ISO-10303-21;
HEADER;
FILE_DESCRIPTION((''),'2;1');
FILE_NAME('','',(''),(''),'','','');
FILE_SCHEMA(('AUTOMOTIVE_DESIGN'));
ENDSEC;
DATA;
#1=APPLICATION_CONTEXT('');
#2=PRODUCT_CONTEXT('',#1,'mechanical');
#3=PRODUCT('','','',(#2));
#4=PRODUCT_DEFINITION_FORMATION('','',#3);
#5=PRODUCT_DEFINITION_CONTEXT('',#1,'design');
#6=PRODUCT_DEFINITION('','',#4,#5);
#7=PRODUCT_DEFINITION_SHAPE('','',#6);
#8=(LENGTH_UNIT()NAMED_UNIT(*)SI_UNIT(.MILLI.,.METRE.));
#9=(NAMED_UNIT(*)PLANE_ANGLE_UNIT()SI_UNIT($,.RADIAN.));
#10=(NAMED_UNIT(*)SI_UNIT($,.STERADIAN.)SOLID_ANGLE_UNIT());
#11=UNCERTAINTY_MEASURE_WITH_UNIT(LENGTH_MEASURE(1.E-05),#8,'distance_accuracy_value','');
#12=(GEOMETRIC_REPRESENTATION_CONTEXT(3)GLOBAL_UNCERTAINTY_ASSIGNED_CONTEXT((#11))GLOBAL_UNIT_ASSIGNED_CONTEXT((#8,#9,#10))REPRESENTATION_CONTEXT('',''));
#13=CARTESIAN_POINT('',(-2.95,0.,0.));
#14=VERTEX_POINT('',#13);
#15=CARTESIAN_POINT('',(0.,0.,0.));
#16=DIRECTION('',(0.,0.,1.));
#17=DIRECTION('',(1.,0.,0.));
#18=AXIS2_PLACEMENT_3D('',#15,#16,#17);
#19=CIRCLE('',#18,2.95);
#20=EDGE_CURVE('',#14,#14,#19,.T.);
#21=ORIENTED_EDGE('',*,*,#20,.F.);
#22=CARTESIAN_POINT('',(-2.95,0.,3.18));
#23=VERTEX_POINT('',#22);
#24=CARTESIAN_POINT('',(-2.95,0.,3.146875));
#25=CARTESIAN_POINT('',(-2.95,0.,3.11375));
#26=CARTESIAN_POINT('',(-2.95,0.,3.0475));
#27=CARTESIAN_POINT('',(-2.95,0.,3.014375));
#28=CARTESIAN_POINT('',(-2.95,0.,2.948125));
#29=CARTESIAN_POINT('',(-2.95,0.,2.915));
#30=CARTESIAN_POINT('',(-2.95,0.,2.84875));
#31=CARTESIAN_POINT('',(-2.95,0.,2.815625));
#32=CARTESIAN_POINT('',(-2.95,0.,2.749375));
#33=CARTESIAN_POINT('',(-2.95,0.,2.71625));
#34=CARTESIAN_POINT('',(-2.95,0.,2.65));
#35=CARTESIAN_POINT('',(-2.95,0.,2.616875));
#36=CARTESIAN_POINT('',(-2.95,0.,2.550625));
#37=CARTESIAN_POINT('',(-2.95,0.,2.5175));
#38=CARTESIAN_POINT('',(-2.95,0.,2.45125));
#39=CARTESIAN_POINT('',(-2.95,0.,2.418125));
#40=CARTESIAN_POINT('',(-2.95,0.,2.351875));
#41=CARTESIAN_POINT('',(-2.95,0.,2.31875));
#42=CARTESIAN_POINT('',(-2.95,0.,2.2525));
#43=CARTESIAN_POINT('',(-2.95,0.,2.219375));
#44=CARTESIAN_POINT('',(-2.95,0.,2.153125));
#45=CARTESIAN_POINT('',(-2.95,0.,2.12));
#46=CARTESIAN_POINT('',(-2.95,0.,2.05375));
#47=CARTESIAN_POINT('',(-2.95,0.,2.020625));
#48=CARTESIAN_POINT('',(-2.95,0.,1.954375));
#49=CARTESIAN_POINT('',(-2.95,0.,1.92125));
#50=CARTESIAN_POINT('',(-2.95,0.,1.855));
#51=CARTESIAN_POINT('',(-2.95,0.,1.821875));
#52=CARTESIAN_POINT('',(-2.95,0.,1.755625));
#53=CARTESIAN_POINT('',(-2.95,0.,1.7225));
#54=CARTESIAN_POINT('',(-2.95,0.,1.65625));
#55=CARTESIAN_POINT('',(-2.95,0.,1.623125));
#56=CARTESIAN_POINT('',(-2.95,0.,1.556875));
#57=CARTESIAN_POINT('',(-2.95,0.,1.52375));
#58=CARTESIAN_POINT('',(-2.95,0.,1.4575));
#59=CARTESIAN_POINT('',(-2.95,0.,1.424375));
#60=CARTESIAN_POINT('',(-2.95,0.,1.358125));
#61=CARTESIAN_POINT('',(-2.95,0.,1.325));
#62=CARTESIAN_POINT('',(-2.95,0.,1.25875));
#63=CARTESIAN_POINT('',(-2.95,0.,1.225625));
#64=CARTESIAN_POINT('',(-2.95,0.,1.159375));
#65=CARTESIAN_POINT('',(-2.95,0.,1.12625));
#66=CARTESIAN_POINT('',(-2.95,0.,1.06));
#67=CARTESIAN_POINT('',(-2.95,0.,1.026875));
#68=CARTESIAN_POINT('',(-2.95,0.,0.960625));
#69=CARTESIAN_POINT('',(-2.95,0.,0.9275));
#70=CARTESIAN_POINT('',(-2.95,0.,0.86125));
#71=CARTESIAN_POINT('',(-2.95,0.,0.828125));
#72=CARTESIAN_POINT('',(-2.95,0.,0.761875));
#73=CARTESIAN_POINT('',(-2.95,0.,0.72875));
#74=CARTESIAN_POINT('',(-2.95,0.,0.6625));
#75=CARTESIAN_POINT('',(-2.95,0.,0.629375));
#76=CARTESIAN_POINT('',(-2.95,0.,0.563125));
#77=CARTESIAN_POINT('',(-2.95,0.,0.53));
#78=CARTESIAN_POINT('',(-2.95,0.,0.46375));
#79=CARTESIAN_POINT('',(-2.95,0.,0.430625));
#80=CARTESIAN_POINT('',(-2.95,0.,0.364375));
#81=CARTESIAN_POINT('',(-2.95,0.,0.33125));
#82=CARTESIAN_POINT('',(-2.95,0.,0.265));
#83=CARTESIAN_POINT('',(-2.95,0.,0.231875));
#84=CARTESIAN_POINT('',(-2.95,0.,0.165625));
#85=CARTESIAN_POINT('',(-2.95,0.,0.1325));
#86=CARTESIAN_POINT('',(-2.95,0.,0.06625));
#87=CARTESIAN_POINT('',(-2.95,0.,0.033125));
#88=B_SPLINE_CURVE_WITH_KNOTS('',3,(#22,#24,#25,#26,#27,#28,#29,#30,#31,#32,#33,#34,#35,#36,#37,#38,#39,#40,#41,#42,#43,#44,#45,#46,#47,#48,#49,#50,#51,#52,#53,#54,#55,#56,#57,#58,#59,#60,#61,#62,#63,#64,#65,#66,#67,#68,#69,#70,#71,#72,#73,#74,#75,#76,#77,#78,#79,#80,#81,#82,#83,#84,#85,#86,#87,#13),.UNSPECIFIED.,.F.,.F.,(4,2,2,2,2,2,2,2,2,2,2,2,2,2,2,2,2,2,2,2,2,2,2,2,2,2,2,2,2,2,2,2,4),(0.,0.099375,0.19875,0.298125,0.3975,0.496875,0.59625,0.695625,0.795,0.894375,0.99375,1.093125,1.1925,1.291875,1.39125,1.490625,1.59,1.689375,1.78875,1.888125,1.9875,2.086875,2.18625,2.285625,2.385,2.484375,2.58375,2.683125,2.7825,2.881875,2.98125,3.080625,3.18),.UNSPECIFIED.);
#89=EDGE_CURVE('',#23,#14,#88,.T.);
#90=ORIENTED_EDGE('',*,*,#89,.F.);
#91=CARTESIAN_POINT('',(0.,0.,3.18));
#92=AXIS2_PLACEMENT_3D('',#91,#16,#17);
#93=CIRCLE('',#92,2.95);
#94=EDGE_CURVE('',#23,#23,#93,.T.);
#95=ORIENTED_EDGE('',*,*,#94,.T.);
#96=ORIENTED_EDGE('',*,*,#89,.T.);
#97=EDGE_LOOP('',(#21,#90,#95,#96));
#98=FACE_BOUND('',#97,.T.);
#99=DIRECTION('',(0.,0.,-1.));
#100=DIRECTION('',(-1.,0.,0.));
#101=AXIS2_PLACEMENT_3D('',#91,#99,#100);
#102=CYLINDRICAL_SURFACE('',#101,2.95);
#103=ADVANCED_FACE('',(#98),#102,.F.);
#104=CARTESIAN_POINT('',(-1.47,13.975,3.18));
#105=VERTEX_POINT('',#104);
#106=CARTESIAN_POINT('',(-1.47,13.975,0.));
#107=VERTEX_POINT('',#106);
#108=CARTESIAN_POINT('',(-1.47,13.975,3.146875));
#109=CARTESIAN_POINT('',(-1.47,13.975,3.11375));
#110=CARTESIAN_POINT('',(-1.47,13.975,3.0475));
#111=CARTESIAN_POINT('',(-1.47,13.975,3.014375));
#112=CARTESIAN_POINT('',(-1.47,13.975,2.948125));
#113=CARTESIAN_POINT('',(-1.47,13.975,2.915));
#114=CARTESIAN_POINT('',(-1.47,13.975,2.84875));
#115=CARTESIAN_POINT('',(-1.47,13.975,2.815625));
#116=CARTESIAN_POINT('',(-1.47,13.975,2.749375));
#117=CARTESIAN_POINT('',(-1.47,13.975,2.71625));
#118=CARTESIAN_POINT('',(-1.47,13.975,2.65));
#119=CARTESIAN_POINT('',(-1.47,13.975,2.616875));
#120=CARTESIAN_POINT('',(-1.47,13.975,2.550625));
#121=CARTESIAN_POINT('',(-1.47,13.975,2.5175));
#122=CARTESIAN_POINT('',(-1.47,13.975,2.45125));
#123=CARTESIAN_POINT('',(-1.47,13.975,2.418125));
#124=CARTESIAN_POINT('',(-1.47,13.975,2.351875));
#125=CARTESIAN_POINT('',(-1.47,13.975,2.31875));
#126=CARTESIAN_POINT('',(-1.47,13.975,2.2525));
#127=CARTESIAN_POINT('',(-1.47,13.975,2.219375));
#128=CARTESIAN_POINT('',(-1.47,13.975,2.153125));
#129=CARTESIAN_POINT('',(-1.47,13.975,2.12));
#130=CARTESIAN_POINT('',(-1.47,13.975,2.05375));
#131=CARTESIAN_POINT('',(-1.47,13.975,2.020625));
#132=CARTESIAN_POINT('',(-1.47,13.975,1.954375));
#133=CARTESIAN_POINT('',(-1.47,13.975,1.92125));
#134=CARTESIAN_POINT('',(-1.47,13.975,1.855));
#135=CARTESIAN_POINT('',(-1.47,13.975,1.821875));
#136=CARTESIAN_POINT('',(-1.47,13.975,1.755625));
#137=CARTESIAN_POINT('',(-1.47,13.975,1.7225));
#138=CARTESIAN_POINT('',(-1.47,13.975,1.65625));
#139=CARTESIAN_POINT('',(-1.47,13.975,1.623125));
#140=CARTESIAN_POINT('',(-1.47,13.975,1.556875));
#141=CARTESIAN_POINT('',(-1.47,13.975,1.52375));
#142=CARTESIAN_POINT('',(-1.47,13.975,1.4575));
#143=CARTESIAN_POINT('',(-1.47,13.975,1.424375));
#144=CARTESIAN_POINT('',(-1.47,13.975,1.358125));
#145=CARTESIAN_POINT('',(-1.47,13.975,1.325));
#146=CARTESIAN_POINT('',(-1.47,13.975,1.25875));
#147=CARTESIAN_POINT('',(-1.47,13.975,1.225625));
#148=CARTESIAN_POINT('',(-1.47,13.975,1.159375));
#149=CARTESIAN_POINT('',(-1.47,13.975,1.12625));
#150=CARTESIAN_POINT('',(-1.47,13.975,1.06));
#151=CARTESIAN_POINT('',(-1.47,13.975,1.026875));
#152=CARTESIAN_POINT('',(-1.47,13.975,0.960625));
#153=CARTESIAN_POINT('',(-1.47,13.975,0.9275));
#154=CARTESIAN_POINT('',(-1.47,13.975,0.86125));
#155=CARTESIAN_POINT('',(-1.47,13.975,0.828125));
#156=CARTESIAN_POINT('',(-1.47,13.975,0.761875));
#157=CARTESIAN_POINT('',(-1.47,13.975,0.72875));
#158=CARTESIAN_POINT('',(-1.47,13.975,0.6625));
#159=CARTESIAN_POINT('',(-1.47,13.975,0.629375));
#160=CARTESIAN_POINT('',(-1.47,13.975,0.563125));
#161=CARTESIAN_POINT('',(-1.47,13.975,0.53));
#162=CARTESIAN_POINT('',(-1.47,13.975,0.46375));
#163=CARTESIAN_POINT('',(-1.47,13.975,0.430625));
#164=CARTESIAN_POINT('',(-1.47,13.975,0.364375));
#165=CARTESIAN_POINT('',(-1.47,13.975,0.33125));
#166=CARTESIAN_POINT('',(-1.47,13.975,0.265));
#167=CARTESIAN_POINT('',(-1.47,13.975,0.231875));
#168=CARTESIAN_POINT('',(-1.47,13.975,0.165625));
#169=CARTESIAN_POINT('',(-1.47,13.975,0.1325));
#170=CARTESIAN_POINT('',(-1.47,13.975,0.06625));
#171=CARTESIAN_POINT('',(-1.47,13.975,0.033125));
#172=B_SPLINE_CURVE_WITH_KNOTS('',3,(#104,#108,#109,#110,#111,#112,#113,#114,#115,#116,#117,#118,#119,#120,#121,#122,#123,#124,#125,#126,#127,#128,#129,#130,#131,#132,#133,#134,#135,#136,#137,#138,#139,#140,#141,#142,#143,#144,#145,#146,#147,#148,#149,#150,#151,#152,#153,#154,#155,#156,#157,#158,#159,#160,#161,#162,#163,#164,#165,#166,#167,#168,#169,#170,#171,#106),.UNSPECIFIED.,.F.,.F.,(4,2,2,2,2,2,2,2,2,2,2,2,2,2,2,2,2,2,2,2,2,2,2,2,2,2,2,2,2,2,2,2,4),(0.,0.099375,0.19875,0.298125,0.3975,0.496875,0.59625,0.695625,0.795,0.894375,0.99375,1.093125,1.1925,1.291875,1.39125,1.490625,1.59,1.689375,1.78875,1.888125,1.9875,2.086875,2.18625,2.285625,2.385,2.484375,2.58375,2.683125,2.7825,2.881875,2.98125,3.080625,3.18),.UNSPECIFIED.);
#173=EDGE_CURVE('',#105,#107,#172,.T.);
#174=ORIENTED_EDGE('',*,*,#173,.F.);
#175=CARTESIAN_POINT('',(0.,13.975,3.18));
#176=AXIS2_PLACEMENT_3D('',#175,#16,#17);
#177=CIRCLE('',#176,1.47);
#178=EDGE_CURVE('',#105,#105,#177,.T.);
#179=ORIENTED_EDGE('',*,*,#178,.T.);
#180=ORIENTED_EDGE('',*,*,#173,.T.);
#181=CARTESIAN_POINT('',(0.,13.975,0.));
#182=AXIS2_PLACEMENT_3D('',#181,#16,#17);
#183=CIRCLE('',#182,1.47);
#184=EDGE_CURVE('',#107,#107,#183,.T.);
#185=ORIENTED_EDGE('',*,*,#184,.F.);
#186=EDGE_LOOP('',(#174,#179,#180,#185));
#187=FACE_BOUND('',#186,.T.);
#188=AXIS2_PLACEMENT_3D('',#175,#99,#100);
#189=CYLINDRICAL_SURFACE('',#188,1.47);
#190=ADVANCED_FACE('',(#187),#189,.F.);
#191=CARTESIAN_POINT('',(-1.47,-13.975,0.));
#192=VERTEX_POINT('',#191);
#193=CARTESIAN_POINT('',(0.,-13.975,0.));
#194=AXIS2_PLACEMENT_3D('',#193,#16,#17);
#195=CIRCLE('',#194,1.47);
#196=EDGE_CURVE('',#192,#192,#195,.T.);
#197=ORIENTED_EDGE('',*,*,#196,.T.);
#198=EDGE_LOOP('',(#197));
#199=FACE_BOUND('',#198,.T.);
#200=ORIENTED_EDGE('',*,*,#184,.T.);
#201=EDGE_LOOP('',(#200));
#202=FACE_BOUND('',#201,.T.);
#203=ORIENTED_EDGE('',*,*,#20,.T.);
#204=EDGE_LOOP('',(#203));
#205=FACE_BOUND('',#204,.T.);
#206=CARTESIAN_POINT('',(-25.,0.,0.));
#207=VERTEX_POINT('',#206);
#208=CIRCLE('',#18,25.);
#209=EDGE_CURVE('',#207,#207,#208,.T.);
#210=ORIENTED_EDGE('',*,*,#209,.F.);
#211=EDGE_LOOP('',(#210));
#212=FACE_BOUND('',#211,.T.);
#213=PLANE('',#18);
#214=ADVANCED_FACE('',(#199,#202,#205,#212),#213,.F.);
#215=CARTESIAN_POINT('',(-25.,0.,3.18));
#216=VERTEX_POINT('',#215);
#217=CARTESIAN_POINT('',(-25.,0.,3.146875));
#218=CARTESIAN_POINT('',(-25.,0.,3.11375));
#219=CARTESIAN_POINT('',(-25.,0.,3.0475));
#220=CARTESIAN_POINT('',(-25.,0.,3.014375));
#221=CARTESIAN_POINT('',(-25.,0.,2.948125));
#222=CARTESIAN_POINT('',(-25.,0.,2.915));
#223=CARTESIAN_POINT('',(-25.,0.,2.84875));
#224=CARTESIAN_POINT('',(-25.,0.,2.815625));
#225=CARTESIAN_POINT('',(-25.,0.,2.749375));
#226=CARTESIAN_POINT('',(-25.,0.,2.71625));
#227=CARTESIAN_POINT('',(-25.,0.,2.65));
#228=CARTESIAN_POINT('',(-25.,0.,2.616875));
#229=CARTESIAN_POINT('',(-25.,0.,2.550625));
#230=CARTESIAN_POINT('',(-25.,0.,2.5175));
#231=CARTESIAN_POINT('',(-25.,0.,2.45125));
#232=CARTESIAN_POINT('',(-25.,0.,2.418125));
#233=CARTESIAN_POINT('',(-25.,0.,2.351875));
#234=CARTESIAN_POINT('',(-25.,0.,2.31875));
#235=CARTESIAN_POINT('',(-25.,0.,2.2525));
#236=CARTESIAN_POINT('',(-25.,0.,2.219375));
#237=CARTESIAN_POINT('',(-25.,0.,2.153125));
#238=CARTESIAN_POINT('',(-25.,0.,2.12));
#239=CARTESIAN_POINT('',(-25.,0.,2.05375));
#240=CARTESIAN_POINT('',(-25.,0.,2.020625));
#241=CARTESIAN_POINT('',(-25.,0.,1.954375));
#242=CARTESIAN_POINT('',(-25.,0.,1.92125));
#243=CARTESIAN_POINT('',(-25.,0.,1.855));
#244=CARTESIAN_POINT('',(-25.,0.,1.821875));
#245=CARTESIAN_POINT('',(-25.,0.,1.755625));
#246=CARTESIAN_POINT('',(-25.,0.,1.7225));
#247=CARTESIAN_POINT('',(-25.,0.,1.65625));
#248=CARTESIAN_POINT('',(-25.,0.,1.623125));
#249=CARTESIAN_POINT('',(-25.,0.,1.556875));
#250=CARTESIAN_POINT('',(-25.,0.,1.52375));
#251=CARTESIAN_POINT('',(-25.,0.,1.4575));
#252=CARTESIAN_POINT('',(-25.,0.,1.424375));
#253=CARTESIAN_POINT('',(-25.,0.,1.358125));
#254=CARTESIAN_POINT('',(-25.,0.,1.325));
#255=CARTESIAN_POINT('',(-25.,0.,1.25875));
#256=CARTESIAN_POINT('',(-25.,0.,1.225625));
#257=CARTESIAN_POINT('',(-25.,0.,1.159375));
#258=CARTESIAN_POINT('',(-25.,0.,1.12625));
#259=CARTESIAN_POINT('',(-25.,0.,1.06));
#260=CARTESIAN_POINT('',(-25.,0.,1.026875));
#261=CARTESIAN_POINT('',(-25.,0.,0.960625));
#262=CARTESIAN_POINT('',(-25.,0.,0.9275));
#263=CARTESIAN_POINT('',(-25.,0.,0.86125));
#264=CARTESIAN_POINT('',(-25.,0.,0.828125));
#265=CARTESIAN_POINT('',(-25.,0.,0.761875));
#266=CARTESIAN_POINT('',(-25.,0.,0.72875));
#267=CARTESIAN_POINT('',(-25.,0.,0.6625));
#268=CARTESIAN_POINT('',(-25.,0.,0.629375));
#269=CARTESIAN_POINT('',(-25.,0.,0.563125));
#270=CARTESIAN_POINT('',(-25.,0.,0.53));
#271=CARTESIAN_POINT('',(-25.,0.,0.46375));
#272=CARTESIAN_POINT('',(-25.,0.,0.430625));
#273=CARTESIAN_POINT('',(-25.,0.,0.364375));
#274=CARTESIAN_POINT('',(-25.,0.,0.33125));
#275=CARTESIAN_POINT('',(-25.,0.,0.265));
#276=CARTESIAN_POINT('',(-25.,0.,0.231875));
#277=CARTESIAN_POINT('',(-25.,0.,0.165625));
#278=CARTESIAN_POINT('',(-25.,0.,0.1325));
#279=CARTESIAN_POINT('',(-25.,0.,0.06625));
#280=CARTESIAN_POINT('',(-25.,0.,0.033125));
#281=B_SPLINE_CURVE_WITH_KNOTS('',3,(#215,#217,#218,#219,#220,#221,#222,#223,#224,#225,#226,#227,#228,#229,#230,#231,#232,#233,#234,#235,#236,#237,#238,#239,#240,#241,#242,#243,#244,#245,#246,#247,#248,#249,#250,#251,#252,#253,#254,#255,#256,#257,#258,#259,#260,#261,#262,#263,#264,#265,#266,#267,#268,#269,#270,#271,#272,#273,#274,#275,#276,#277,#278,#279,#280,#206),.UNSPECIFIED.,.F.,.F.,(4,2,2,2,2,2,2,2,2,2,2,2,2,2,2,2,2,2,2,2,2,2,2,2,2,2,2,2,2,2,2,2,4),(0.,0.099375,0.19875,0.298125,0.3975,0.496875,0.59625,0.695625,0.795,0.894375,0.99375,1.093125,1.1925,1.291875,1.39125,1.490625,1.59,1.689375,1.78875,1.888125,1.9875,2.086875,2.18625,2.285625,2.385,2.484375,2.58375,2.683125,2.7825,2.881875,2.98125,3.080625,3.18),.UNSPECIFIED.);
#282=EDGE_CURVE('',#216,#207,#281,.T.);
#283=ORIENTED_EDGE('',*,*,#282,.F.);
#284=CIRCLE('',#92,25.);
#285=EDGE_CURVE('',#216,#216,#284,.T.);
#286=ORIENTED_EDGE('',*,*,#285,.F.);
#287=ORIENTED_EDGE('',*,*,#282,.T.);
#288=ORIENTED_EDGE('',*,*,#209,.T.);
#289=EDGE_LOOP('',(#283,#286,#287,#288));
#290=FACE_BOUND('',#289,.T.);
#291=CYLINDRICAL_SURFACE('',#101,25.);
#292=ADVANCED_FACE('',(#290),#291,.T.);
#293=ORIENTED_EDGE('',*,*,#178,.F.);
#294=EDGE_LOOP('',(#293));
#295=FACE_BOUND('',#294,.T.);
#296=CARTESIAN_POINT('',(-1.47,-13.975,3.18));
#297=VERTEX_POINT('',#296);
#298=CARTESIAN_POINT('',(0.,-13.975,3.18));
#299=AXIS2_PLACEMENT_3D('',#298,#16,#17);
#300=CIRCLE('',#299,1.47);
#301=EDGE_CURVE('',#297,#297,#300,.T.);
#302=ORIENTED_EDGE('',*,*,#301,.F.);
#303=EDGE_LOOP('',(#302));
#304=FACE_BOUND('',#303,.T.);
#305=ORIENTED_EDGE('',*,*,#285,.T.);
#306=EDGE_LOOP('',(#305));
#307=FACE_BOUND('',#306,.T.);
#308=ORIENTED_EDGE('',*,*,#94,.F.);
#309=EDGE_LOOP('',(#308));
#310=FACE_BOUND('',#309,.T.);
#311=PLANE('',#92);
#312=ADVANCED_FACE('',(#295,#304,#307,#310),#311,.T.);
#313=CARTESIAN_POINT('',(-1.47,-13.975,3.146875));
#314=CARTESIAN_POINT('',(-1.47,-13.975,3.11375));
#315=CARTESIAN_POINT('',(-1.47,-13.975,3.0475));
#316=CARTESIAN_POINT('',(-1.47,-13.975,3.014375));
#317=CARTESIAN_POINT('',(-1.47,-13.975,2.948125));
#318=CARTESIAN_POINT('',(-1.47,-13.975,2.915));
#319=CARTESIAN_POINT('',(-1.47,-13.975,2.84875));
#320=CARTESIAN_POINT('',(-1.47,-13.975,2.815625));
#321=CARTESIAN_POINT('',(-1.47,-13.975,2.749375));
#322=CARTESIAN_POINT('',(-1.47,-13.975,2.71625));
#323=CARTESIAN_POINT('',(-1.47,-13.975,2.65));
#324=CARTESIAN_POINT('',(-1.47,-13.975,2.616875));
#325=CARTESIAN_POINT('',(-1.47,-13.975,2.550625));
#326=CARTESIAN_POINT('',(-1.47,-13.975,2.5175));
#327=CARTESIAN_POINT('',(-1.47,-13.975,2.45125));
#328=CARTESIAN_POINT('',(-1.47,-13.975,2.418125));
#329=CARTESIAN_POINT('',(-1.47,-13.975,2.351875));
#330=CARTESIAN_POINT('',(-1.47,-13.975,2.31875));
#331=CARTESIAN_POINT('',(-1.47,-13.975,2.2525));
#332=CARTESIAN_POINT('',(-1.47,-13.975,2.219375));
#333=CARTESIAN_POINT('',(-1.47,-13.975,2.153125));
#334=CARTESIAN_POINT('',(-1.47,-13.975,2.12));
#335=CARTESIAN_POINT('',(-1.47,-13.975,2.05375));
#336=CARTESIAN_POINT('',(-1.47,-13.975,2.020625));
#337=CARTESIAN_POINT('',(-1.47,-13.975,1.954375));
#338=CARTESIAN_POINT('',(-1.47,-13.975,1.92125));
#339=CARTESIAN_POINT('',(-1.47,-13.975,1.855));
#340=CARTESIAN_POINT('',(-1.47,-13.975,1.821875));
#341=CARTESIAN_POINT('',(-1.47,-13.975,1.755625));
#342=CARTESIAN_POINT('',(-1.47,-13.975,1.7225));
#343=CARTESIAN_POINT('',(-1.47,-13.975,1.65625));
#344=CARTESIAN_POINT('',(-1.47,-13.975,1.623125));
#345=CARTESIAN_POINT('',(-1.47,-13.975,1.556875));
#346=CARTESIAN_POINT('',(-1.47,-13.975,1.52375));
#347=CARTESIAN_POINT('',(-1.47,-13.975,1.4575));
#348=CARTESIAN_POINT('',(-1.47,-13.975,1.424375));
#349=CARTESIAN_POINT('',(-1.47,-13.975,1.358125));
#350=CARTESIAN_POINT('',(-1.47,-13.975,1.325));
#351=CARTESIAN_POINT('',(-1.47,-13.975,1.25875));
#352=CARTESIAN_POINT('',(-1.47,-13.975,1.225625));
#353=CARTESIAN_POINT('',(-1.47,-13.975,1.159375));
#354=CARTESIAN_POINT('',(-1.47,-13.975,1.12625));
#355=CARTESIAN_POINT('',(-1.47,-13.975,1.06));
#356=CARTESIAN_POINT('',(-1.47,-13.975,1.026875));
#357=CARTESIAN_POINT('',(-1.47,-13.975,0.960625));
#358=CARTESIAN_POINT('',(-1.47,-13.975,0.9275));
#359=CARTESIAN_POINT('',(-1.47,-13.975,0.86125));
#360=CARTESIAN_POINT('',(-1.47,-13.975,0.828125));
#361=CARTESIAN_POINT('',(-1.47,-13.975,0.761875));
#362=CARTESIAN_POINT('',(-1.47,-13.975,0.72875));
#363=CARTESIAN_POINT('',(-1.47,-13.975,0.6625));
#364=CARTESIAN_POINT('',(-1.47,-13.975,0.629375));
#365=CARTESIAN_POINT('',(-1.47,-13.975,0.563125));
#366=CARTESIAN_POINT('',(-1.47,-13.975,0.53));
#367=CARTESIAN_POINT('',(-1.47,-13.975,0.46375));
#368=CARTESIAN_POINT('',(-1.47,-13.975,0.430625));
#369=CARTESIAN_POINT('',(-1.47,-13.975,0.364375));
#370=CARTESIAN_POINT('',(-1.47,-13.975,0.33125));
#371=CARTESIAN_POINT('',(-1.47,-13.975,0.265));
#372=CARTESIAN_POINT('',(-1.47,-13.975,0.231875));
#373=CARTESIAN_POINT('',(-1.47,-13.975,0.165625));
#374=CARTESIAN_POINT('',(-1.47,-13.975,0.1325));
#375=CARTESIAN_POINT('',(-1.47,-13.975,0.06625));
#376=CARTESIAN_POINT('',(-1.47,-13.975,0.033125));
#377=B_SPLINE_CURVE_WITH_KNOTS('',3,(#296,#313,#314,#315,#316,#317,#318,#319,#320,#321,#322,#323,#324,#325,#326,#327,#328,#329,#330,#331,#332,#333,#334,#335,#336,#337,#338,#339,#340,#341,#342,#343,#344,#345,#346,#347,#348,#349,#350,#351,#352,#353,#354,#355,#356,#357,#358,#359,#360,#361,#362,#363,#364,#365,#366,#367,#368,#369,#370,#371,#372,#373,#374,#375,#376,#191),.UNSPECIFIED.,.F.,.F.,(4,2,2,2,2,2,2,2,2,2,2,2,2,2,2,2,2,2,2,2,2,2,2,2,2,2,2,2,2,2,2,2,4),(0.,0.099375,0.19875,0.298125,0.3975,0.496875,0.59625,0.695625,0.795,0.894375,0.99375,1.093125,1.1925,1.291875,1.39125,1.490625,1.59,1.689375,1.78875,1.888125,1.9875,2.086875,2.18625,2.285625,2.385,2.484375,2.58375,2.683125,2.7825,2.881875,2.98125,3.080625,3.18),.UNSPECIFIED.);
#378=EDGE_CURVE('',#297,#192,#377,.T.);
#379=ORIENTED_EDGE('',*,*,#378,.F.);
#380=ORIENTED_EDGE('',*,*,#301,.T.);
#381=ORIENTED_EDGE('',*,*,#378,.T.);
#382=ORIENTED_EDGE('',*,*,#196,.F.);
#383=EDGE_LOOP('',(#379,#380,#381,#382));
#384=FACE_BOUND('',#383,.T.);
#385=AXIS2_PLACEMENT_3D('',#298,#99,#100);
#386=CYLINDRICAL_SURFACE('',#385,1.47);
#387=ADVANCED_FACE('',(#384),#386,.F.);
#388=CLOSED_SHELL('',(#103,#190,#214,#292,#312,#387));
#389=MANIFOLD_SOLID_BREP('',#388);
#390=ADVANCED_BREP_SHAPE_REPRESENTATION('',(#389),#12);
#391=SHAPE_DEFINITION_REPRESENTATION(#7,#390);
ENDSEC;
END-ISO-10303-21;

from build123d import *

# Parameters (mm, degrees)
SKETCH1_R           = 25
SKETCH1_R_2         = 2.95
SKETCH1_R_3         = 1.47
BOSS_EXTRUDE1_DEPTH = 3.18


with BuildPart() as part:
    # Sketch1 → Boss-Extrude1 (new body)
    with BuildSketch(Plane.XY):
        with Locations(Location((0, 0, 0), (0, 0, 180))):
            Circle(SKETCH1_R)
        with Locations(Location((0, 0, 0), (0, 0, 180))):
            Circle(SKETCH1_R_2, mode=Mode.SUBTRACT)
        with Locations(Location((0, 13.975, 0), (0, 0, 180))):
            Circle(SKETCH1_R_3, mode=Mode.SUBTRACT)
        with Locations(Location((0, -13.975, 0), (0, 0, 180))):
            Circle(SKETCH1_R_3, mode=Mode.SUBTRACT)
    extrude(amount=BOSS_EXTRUDE1_DEPTH)


solid = part.part
